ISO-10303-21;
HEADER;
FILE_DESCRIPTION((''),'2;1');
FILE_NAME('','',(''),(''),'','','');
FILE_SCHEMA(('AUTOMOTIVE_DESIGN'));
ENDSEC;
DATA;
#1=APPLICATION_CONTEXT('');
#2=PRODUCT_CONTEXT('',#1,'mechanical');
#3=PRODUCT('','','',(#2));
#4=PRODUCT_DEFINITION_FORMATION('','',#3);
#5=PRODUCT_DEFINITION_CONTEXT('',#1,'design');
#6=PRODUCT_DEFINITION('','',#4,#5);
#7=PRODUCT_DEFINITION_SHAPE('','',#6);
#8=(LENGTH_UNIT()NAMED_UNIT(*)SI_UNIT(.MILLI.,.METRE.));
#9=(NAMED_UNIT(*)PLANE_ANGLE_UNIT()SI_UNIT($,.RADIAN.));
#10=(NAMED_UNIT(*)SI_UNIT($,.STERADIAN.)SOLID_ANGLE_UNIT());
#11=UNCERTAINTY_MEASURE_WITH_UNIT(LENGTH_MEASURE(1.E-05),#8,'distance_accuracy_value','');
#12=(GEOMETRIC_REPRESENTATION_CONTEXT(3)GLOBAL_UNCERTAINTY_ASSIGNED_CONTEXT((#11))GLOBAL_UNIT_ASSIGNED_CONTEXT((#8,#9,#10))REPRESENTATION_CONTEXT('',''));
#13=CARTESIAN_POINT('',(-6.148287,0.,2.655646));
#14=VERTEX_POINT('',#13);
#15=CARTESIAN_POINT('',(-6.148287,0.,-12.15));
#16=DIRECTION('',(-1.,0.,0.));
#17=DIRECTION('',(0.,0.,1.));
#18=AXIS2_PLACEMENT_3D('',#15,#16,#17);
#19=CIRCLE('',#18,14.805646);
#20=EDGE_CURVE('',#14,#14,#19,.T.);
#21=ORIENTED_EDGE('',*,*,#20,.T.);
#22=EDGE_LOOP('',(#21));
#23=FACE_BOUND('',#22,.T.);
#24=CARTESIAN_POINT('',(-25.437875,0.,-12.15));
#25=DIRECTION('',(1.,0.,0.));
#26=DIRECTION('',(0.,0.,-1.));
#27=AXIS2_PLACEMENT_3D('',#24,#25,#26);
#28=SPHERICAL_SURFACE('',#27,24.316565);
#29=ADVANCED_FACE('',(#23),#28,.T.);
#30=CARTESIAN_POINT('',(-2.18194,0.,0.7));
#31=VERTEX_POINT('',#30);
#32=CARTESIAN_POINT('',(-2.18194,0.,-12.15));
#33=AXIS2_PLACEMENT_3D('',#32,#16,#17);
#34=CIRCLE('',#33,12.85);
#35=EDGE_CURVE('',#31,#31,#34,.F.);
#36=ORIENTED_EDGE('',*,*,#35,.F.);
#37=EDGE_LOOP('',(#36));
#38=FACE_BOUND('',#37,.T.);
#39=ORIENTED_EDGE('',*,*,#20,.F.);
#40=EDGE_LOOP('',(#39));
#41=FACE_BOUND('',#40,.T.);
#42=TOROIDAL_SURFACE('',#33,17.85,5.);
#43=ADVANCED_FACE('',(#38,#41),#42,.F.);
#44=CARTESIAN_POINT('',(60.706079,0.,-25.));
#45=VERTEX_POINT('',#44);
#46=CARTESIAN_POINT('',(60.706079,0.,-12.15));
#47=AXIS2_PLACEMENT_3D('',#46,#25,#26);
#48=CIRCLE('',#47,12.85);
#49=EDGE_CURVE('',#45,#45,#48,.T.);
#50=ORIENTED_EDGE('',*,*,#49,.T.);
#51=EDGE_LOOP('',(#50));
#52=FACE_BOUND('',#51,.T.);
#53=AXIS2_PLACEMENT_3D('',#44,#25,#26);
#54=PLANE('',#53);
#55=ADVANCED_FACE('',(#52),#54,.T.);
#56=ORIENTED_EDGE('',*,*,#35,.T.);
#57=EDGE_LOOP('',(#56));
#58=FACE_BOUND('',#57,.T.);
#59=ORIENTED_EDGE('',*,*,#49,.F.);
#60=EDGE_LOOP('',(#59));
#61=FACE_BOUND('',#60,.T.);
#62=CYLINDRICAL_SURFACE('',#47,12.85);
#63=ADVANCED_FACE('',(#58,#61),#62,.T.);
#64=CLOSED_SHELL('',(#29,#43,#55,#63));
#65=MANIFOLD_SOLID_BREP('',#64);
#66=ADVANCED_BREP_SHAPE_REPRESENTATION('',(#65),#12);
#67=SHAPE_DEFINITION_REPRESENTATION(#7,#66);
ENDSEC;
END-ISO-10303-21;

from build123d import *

# Parameters (mm, degrees)
FILLET3_R = 5


with BuildPart() as part:
    # Sketch1 → Revolve2 (revolve)
    with BuildSketch(Plane(origin=(0, 0, 0), x_dir=(1, 0, 0), z_dir=(0, 1, 0))):
        with BuildLine():
            Line((-4.793920798, 25), (60.706079202, 25))
            Line((60.706079202, 25), (60.706079202, 12.15))
            Line((60.706079202, 12.15), (-49.754439839, 12.15))
            ThreePointArc((-49.754439839, 12.15), (-32.120138099, 35.530391209), (-4.793920798, 25))
        make_face()
    revolve(axis=Axis((60.706079202, 0, -12.15), (-1, 0, 0)))

    # Fillet3
    fillet3_edges = [part.edges().sort_by_distance(p)[0] for p in [
        (-4.793920798, 0, 0.7),
    ]]
    fillet(fillet3_edges, radius=FILLET3_R)


solid = part.part
